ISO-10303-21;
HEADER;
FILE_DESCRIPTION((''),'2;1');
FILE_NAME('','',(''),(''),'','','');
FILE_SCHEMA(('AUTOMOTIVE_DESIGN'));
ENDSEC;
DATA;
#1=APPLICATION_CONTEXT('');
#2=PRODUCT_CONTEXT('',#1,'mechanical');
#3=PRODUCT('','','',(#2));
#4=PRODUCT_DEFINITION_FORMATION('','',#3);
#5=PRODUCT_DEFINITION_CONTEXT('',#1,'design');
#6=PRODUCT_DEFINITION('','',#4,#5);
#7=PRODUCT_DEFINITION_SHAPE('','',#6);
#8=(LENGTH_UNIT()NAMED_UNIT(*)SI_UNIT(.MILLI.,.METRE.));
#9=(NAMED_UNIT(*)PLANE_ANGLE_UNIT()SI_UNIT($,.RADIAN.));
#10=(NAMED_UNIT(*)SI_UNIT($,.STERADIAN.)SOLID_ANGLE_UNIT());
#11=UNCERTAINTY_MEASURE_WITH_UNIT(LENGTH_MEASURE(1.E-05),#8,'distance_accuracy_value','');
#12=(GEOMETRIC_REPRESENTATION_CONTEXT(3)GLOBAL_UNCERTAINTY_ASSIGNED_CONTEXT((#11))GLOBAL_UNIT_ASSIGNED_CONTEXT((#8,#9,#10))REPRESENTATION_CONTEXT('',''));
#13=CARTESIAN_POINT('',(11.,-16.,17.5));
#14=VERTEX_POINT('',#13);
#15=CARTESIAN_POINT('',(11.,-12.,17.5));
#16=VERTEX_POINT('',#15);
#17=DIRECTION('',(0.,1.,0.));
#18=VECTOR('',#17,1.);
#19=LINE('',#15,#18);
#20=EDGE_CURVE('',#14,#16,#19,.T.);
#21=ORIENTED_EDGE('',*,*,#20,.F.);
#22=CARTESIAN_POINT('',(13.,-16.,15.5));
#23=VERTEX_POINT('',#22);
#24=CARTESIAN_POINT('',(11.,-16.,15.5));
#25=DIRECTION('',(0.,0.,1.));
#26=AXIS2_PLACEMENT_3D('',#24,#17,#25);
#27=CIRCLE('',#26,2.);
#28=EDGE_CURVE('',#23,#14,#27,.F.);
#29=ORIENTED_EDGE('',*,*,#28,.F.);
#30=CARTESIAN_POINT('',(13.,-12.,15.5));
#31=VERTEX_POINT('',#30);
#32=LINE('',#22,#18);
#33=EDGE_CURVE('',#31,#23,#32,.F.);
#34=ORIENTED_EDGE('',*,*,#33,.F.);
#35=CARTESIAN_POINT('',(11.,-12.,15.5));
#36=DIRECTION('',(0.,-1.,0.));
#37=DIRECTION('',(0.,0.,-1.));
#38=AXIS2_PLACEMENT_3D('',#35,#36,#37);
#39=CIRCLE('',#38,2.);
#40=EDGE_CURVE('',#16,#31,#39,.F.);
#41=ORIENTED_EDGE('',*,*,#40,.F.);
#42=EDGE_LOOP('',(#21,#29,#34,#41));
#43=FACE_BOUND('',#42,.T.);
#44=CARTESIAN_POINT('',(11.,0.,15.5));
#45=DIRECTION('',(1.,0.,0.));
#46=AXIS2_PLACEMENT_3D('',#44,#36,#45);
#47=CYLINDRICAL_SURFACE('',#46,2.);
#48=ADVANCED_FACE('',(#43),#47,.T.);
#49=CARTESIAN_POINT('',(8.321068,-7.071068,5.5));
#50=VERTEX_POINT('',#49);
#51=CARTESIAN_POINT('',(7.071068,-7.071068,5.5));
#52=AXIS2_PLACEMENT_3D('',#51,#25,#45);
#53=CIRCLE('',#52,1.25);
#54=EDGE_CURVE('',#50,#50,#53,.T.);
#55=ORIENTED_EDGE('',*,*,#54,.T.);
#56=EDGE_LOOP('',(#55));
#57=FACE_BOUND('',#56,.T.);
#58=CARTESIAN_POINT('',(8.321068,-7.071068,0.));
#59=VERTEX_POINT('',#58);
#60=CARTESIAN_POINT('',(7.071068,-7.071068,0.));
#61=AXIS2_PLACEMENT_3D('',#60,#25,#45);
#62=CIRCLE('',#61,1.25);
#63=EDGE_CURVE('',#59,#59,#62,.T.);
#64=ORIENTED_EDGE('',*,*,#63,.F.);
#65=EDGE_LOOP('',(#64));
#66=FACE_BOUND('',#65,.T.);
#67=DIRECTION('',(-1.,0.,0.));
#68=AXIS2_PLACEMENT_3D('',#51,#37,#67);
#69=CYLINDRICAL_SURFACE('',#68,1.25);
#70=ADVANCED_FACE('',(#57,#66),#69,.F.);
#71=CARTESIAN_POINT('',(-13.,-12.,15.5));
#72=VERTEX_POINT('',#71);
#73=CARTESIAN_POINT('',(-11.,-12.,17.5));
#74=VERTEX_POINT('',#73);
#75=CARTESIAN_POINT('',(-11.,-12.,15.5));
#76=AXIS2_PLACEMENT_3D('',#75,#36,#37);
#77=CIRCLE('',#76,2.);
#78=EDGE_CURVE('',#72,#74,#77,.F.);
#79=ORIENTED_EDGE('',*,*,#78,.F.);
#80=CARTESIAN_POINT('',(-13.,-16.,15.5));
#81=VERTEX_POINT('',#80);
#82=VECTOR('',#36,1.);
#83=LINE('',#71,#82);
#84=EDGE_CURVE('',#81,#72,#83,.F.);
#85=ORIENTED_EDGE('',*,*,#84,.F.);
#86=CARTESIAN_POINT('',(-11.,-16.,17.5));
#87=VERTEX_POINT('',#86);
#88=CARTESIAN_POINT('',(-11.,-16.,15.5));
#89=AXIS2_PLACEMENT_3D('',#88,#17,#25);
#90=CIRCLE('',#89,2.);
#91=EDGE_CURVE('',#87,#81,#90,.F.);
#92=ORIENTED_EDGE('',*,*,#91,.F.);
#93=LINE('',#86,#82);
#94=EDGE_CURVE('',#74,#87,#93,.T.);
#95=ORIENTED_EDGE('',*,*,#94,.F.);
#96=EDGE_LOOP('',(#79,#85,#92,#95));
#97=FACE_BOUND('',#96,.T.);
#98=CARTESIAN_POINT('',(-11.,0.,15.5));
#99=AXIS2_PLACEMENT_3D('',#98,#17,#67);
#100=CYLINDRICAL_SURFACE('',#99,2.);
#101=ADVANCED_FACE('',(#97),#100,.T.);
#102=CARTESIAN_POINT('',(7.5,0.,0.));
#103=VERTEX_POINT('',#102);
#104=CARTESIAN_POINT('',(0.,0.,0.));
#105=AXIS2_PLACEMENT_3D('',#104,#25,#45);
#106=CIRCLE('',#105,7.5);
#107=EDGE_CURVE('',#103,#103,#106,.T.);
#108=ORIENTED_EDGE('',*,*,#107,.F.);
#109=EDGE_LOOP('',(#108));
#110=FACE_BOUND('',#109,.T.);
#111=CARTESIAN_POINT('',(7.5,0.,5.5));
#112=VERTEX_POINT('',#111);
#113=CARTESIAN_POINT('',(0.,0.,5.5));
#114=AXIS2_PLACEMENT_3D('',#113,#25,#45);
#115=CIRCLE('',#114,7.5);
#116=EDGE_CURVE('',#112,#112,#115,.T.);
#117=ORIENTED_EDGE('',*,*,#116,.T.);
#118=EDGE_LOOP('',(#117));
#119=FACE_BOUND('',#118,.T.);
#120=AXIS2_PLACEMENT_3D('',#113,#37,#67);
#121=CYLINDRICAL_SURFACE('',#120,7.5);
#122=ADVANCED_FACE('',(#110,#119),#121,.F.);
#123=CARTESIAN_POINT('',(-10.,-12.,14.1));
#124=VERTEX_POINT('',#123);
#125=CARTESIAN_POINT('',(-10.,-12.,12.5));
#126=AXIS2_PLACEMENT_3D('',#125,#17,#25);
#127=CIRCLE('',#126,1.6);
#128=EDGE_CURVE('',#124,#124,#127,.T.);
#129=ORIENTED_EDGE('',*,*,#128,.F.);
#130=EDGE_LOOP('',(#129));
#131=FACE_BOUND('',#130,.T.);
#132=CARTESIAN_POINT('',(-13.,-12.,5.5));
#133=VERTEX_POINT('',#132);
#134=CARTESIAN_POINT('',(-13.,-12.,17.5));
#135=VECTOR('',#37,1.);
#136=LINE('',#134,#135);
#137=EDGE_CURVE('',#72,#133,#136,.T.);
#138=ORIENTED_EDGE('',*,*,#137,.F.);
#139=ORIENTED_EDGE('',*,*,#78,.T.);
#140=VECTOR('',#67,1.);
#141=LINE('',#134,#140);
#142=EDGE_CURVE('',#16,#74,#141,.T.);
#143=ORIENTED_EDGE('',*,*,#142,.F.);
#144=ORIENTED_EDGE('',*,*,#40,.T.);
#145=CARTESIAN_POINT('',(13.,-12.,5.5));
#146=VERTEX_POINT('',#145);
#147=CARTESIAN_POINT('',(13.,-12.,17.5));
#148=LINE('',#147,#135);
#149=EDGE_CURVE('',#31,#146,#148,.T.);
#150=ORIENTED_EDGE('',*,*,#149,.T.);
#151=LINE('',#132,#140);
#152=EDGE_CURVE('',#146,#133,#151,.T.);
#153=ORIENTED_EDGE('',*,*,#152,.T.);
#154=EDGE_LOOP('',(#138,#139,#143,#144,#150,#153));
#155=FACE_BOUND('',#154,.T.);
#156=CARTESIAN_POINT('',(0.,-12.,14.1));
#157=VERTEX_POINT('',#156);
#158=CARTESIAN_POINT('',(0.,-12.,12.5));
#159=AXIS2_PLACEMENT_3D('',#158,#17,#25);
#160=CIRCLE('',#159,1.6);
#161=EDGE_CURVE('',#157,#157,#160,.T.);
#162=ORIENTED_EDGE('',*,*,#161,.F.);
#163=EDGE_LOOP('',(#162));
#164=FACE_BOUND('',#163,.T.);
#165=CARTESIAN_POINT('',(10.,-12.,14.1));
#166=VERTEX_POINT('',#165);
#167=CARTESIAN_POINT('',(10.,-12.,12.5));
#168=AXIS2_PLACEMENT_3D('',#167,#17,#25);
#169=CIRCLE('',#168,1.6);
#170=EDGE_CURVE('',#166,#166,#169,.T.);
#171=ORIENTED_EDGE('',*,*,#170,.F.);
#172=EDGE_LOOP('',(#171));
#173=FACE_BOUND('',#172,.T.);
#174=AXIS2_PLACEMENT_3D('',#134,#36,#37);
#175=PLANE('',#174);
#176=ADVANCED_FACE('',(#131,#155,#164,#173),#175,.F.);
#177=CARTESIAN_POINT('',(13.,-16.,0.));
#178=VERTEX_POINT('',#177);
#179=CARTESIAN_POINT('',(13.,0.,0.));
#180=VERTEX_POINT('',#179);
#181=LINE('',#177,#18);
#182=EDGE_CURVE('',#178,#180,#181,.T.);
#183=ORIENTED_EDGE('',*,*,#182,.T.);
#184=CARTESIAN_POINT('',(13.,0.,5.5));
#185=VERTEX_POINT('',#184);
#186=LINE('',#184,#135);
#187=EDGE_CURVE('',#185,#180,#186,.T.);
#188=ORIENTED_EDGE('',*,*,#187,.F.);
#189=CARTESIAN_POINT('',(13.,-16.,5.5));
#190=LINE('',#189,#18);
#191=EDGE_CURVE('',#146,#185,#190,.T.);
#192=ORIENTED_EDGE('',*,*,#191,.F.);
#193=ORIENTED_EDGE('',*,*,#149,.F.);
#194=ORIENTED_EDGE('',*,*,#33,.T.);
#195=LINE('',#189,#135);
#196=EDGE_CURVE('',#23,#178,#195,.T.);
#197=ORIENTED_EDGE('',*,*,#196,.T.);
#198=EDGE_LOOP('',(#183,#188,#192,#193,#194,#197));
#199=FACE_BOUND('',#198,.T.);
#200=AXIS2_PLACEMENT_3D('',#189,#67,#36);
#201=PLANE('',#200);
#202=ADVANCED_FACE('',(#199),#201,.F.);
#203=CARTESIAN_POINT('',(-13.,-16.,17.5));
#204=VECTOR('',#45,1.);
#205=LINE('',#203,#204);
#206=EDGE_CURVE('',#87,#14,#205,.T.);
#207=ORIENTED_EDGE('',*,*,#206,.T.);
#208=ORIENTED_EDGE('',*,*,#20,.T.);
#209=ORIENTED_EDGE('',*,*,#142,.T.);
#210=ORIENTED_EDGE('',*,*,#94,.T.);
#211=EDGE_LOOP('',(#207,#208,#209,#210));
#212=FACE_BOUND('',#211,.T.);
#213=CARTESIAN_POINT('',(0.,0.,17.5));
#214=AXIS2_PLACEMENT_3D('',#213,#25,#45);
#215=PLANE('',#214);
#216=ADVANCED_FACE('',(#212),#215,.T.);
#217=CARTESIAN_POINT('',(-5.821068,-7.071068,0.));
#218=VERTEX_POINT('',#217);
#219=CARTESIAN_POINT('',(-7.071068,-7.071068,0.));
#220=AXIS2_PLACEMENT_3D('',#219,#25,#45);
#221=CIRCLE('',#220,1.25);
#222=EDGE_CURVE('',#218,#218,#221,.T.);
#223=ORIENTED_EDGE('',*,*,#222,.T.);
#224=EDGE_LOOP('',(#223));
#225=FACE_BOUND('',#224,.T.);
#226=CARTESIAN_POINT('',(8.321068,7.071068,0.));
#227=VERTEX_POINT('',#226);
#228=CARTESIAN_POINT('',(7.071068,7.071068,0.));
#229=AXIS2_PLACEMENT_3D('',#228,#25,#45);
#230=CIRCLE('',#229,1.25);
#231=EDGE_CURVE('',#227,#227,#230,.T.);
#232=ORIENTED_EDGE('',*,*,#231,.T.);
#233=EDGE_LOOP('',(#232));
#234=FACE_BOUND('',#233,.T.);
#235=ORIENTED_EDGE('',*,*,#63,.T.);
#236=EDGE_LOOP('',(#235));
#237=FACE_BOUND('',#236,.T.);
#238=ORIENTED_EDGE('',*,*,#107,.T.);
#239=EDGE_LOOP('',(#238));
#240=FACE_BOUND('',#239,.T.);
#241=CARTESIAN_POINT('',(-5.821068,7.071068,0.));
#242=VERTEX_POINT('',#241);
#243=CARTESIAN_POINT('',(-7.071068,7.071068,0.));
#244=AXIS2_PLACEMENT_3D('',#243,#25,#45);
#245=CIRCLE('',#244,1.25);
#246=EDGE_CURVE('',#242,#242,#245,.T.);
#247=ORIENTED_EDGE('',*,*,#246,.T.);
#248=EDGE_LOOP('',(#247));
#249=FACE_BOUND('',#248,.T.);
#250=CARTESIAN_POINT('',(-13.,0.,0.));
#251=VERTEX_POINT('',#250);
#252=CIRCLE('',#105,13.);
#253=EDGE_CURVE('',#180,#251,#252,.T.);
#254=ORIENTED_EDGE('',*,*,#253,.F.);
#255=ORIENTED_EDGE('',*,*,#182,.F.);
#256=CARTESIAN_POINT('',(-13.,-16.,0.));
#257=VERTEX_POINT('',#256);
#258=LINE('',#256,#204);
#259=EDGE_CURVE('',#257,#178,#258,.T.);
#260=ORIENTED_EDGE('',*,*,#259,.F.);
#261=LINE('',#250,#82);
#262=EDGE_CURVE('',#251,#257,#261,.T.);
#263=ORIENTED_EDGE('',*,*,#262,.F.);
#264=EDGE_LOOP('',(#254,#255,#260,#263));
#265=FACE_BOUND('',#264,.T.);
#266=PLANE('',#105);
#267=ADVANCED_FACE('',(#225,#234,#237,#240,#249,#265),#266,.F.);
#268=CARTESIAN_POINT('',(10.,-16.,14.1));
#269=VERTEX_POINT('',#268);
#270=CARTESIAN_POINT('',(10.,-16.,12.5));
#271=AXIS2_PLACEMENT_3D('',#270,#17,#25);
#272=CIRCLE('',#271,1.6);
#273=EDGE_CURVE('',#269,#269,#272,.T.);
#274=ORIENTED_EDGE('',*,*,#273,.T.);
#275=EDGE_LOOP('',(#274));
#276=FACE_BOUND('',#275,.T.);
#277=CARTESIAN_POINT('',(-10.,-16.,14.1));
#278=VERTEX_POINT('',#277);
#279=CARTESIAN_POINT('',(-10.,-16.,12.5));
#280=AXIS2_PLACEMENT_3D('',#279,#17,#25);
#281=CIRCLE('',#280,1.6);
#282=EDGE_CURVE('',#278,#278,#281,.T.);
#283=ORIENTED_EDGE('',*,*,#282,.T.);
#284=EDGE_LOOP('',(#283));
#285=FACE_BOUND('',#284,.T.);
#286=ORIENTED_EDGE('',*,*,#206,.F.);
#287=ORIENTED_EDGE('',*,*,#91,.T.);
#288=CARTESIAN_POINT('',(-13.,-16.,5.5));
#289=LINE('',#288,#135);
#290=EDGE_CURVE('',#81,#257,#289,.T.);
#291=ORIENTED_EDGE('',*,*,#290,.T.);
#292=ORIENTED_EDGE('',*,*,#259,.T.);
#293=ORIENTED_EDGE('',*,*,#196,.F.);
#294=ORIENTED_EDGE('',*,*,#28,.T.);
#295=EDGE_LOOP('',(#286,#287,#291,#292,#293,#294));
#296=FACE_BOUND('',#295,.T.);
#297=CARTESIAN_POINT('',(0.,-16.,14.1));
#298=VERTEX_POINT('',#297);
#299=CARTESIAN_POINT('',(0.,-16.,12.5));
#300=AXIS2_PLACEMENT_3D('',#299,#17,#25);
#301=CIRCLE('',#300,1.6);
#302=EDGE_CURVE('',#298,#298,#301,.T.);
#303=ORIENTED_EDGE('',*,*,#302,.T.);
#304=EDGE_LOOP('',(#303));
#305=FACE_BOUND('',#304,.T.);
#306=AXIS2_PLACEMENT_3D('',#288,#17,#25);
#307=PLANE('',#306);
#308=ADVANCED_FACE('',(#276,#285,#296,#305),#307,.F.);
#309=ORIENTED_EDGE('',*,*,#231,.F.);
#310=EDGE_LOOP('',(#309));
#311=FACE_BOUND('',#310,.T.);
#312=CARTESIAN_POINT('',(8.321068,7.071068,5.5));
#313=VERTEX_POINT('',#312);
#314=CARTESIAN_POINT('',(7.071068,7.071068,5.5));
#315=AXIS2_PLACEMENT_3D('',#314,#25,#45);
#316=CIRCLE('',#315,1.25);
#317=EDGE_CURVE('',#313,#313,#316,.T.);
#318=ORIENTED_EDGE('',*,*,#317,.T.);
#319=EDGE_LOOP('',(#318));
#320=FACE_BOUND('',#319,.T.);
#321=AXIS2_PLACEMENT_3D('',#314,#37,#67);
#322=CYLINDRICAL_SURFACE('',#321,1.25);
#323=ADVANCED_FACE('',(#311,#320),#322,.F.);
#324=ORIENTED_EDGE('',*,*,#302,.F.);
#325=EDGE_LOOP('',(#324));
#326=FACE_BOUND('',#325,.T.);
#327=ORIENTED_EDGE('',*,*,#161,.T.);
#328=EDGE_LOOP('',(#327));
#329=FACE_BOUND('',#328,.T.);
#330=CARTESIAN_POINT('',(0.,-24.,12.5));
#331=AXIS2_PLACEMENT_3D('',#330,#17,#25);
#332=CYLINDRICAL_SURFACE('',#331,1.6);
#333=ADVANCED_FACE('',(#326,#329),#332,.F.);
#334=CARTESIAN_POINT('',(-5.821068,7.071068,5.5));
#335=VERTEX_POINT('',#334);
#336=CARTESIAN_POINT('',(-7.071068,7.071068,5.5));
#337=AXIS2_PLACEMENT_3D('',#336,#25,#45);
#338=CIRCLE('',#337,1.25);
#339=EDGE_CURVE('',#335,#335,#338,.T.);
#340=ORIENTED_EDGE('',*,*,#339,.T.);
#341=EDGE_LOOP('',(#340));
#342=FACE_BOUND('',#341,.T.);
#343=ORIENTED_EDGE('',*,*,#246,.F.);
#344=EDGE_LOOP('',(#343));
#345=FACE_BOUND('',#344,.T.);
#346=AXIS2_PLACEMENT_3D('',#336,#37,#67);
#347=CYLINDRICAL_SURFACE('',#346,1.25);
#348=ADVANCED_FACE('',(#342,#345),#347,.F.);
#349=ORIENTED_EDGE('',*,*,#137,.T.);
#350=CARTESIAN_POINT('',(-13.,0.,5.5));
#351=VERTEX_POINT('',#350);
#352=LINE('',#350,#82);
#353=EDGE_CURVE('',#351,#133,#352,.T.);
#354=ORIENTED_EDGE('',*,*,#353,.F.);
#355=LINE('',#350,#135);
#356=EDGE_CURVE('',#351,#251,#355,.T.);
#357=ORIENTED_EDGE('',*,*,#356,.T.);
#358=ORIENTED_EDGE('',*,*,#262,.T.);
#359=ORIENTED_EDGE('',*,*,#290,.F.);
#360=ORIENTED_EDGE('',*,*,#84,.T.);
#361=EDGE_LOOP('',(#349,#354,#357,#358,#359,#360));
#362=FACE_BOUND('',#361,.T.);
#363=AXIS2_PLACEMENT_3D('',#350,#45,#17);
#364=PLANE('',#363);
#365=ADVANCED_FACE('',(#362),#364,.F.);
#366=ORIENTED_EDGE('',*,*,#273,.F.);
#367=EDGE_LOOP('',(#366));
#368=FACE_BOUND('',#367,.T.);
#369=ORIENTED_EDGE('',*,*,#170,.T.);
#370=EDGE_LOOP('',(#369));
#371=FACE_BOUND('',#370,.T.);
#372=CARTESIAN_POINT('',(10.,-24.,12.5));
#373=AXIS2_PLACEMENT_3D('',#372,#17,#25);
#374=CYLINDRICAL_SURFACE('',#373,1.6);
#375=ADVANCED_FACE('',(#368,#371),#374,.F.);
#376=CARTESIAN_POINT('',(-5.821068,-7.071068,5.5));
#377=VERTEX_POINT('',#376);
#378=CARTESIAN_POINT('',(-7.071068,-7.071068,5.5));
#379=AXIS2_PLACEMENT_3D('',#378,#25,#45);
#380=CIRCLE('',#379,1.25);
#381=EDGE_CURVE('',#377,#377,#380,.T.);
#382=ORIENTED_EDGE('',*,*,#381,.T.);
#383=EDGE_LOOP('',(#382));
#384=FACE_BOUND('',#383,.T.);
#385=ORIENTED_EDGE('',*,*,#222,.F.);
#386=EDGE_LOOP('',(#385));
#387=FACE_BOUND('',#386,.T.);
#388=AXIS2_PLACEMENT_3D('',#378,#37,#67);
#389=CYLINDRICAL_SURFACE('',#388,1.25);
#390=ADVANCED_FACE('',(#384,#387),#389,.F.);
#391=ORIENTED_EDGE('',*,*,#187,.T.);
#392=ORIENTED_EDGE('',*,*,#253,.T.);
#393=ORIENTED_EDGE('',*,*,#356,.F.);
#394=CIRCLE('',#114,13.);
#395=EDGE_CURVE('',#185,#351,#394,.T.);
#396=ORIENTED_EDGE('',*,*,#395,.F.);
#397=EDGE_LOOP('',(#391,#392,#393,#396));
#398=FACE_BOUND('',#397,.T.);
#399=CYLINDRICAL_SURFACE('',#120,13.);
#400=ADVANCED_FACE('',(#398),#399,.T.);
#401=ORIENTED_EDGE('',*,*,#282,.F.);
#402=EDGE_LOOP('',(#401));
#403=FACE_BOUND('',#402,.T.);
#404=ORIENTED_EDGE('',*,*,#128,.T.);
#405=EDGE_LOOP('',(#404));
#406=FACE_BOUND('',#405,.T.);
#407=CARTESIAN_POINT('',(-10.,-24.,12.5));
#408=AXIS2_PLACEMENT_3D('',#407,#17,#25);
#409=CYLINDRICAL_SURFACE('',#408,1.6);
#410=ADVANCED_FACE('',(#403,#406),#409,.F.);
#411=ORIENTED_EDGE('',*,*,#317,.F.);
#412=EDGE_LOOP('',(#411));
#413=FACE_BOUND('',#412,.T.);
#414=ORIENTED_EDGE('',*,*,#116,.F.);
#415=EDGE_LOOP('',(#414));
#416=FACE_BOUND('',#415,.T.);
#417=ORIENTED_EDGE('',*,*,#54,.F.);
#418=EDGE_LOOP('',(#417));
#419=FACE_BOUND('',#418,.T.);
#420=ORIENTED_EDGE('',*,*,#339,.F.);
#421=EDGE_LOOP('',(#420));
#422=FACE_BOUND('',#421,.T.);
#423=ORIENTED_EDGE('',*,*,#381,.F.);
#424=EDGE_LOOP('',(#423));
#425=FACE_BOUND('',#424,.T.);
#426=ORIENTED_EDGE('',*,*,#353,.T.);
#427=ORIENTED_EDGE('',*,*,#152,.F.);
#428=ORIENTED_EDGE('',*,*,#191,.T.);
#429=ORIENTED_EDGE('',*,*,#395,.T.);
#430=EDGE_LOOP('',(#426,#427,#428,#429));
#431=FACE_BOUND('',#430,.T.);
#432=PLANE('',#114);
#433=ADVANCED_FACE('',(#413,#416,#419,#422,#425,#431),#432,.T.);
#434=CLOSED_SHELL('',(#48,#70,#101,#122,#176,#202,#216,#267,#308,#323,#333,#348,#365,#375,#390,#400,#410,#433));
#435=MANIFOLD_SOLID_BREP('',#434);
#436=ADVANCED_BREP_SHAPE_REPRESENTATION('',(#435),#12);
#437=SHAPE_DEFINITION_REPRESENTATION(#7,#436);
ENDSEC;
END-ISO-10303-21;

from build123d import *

# Parameters (mm, degrees)
SKETCH_1_R          = 7.5
SKETCH_1_R_2        = 1.25
EXTRUDE_1_DEPTH     = 5.5
SKETCH_2_W          = 26
SKETCH_2_H          = 4
EXTRUDE_2_DEPTH     = 12
SKETCH_3_R          = 1.6
CUT_EXTRUDE_1_DEPTH = 12
FILLET_1_R          = 2


with BuildPart() as part:
    # 草图1 → 凸台-拉伸1 (new body)
    with BuildSketch(Plane.XY):
        with BuildLine():
            Line((-13, 0), (-13, -16))
            Line((-13, -16), (13, -16))
            Line((13, -16), (13, 0))
            ThreePointArc((13, 0), (0, 13), (-13, 0))
        make_face()
        Circle(SKETCH_1_R, mode=Mode.SUBTRACT)
        with Locations((-7.071067812, 7.071067812)):
            Circle(SKETCH_1_R_2, mode=Mode.SUBTRACT)
        with Locations((7.071067812, 7.071067812)):
            Circle(SKETCH_1_R_2, mode=Mode.SUBTRACT)
        with Locations((7.071067812, -7.071067812)):
            Circle(SKETCH_1_R_2, mode=Mode.SUBTRACT)
        with Locations((-7.071067812, -7.071067812)):
            Circle(SKETCH_1_R_2, mode=Mode.SUBTRACT)
    extrude(amount=EXTRUDE_1_DEPTH)

    # 草图2 → 凸台-拉伸2 (add)
    with BuildSketch(Plane.XY.offset(5.5)):
        with Locations((0, -14)):
            Rectangle(SKETCH_2_W, SKETCH_2_H)
    extrude(amount=EXTRUDE_2_DEPTH)

    # 草图3 → 切除-拉伸1 (cut)
    with BuildSketch(Plane(origin=(0, -12, 0), x_dir=(1, 0, 0), z_dir=(0, 1, 0))):
        with Locations(Location((-10, -12.5, 0), (0, 0, 270))):
            Circle(SKETCH_3_R)
        with Locations(Location((0, -12.5, 0), (0, 0, 270))):
            Circle(SKETCH_3_R)
        with Locations(Location((10, -12.5, 0), (0, 0, 270))):
            Circle(SKETCH_3_R)
    extrude(amount=-CUT_EXTRUDE_1_DEPTH, mode=Mode.SUBTRACT)

    # 圆角1
    fillet_1_edges = [part.edges().sort_by_distance(p)[0] for p in [
        (-13, -14, 17.5),
        (13, -14, 17.5),
    ]]
    fillet(fillet_1_edges, radius=FILLET_1_R)


solid = part.part
